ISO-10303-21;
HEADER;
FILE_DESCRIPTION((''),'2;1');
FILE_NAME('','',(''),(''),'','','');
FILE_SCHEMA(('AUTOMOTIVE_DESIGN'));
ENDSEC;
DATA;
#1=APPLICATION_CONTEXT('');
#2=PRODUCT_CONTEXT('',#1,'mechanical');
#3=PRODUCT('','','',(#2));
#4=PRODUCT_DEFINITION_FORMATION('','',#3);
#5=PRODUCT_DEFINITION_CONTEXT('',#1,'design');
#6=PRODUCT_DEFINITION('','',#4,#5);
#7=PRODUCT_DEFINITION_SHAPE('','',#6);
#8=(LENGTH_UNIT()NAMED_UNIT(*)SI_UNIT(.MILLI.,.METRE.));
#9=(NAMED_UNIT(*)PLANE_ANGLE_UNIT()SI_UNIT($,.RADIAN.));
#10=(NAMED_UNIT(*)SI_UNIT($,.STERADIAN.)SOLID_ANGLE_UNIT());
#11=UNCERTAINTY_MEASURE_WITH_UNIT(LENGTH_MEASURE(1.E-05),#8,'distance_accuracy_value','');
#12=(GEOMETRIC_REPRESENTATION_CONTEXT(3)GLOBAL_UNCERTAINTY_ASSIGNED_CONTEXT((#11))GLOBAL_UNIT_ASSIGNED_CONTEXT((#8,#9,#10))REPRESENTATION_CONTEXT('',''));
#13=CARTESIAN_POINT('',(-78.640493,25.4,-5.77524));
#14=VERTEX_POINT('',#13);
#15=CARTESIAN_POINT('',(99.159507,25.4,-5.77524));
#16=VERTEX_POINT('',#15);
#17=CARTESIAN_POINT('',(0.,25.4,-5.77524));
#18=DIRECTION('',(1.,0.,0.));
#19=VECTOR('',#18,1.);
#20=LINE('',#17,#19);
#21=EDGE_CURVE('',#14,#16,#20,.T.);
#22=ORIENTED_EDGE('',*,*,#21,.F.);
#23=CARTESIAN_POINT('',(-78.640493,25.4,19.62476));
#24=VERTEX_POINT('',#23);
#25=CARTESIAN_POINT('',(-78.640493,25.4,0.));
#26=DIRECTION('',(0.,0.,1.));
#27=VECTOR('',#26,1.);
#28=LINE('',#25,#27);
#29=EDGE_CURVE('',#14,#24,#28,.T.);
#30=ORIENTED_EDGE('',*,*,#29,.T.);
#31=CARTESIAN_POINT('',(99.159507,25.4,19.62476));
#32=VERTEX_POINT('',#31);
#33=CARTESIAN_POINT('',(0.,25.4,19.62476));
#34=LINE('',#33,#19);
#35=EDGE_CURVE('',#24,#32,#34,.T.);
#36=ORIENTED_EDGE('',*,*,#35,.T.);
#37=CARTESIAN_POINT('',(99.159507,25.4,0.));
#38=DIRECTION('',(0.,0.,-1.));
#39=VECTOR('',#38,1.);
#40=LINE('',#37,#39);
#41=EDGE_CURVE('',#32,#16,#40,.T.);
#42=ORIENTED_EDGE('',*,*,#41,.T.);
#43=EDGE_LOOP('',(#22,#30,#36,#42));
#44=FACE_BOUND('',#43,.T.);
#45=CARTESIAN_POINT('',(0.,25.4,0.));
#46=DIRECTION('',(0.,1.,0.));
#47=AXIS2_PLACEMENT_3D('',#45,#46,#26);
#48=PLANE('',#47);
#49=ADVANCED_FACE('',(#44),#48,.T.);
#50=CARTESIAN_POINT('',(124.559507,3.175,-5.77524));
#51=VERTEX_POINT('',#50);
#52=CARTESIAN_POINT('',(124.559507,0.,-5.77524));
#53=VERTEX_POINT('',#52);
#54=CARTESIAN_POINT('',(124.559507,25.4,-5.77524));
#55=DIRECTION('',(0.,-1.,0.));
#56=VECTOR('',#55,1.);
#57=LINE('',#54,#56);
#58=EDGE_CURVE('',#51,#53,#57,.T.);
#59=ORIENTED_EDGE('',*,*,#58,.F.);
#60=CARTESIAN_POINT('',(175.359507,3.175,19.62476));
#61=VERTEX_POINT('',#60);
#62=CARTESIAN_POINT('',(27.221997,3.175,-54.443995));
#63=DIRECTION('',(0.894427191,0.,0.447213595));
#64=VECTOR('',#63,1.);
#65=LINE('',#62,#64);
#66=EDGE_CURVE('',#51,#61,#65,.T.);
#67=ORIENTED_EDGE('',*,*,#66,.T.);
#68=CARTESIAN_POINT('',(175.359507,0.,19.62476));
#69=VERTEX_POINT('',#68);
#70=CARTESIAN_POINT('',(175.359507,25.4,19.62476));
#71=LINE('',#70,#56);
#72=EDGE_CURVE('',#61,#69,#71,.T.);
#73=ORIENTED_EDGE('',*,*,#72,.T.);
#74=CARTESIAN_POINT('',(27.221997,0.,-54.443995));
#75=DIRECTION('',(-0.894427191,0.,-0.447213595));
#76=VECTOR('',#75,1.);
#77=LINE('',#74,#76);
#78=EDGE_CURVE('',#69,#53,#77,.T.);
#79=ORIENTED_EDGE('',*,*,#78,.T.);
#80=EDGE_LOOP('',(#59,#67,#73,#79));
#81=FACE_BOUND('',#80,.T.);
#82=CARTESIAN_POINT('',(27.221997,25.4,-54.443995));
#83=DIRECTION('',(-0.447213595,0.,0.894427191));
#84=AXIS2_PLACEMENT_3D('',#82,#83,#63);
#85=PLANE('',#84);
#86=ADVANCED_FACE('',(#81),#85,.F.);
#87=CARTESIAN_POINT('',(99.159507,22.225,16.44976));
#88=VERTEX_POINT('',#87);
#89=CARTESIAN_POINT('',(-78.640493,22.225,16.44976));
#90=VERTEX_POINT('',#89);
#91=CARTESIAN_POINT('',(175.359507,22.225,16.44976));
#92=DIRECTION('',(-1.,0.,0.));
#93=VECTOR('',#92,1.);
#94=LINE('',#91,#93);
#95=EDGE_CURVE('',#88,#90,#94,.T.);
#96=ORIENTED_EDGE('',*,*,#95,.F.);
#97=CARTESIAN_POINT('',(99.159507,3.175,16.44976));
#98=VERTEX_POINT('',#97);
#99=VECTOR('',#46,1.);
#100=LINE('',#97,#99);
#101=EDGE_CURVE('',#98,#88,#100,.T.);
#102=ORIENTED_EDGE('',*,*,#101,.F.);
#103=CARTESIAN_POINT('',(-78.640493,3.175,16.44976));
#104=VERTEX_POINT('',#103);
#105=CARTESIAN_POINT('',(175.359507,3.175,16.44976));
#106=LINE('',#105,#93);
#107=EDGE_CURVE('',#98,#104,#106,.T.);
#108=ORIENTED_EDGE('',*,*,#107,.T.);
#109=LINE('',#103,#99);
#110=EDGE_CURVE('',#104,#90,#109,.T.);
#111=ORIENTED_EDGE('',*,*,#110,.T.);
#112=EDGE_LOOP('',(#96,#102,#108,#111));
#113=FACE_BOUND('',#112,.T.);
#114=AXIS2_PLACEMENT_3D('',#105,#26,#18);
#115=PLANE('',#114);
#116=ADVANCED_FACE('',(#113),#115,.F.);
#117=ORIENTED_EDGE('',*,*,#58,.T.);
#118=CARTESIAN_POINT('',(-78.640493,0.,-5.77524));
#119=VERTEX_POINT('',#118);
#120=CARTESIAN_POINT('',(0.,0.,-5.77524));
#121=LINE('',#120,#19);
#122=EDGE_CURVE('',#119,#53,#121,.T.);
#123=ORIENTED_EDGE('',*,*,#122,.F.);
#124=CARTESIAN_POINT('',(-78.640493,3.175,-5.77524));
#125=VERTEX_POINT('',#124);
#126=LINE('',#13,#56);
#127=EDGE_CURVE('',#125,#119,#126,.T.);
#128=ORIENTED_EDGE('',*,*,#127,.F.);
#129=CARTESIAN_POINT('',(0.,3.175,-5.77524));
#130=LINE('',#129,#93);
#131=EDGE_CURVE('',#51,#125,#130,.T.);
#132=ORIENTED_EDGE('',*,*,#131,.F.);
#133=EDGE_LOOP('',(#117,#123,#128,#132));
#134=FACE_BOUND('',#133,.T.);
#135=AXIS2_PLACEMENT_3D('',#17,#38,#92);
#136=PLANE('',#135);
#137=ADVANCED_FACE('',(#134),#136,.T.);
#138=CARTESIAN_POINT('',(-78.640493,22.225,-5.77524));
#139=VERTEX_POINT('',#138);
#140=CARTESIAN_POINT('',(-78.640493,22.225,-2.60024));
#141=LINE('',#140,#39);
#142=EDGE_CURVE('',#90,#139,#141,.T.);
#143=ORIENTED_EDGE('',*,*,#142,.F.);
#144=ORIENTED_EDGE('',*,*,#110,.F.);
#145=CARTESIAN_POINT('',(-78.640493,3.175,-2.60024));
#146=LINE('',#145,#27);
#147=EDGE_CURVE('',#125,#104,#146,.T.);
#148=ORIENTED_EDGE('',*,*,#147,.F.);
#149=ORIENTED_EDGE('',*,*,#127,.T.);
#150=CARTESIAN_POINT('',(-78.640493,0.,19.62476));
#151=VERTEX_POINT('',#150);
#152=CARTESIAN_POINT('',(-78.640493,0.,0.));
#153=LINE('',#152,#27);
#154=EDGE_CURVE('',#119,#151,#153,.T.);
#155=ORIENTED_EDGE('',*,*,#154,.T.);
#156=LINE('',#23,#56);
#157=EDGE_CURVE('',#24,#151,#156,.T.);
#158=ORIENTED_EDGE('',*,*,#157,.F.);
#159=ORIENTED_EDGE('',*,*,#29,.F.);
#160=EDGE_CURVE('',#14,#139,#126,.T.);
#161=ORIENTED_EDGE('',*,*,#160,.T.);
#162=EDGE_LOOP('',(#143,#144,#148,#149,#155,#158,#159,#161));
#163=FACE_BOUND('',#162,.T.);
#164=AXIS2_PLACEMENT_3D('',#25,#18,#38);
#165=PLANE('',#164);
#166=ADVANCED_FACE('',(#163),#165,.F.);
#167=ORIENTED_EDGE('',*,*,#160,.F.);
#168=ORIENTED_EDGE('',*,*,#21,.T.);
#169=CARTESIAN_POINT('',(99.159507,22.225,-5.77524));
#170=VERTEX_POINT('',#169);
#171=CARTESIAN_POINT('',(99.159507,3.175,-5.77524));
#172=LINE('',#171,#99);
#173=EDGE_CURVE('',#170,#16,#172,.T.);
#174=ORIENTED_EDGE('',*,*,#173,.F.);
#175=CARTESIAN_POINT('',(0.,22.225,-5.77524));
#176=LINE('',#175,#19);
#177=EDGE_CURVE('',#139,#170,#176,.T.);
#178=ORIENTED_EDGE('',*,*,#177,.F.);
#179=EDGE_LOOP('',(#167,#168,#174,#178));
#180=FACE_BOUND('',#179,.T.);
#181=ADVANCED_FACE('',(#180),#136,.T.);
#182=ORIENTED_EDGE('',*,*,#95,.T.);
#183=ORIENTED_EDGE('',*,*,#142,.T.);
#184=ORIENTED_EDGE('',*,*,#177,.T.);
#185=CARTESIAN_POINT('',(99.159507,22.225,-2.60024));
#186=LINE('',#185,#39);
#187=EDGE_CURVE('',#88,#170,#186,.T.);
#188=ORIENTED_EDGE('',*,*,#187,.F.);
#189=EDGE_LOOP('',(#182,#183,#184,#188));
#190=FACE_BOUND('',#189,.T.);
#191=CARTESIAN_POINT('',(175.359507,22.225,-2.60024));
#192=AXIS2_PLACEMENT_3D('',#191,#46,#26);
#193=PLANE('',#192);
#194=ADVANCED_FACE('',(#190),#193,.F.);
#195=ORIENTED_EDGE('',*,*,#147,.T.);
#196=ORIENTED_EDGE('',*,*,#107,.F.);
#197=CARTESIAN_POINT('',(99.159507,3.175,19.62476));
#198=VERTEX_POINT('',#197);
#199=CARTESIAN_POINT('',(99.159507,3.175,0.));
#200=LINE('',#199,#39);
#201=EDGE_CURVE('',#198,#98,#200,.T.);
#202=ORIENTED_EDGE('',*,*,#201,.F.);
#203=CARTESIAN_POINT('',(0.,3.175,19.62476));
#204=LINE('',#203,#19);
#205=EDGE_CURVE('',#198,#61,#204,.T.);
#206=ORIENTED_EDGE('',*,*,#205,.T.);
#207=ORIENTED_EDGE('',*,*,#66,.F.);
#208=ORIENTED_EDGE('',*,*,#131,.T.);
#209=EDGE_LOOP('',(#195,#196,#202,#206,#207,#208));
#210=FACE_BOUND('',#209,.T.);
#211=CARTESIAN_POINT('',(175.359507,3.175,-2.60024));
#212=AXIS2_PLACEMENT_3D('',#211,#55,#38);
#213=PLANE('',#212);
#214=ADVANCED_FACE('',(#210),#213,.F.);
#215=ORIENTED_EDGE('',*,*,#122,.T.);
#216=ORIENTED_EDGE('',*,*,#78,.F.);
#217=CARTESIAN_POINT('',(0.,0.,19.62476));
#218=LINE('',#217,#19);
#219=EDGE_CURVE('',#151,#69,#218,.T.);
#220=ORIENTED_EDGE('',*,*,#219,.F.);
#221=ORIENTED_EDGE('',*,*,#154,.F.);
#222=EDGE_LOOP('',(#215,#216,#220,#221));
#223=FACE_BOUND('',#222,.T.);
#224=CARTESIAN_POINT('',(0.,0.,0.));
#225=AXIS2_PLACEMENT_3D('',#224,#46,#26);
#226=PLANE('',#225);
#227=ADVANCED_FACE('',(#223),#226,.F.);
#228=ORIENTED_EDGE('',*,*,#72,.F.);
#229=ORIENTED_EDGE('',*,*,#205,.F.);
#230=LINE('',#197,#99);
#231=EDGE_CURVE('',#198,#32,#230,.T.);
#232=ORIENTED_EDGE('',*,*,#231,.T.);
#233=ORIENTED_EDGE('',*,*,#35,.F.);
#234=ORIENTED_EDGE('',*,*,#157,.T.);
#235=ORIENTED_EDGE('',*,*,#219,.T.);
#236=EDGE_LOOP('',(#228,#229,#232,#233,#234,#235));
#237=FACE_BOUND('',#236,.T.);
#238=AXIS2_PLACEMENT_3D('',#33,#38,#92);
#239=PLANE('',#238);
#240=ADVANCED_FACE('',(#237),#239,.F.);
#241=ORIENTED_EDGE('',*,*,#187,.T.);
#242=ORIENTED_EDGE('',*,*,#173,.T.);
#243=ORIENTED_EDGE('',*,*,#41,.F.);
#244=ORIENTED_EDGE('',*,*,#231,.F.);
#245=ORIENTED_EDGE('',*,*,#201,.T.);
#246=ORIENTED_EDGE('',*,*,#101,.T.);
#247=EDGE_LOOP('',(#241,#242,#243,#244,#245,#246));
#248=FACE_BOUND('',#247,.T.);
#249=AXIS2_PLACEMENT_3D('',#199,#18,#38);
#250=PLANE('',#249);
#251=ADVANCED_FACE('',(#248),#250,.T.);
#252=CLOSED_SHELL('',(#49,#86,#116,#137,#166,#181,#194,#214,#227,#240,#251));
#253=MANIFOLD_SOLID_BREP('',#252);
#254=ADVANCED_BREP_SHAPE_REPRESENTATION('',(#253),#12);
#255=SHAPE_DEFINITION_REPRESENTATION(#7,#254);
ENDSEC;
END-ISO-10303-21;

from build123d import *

# Parameters (mm, degrees)
BOSS_EXTRUDE1_DEPTH = 25.4
SKETCH2_W           = 19.05
SKETCH2_H           = 19.05
CUT_EXTRUDE1_DEPTH  = 257.020099216
CUT_EXTRUDE2_DEPTH  = 22.225
SKETCH5_W           = 177.8
SKETCH5_H           = 19.05
CUT_EXTRUDE4_DEPTH  = 22.225


with BuildPart() as part:
    # Sketch1 → Boss-Extrude1 (new body)
    with BuildSketch(Plane(origin=(0, 0, 0), x_dir=(1, 0, 0), z_dir=(0, 1, 0))):
        Polygon((-78.640492639, -19.624759931), (175.359507361, -19.624759931), (124.559507361, 5.775240069), (-78.640492639, 5.775240069), align=None)
    extrude(amount=BOSS_EXTRUDE1_DEPTH)

    # Sketch2 → Cut-Extrude1 (cut, through all)
    with BuildSketch(Plane.ZY.offset(78.640492639)):
        with Locations((6.924759931, 12.7)):
            Rectangle(SKETCH2_W, SKETCH2_H)
    extrude(amount=-CUT_EXTRUDE1_DEPTH, mode=Mode.SUBTRACT)

    # Sketch3 → Cut-Extrude2 (cut)
    with BuildSketch(Plane(origin=(0, 25.4, 0), x_dir=(1, 0, 0), z_dir=(0, 1, 0))):
        Polygon((99.159507361, 5.775240069), (99.159507361, -19.624759931), (175.359507361, -19.624759931), (124.559507361, 5.775240069), align=None)
    extrude(amount=-CUT_EXTRUDE2_DEPTH, mode=Mode.SUBTRACT)

    # Sketch5 → Cut-Extrude4 (cut)
    with BuildSketch(Plane(origin=(0, 0, -5.775240069), x_dir=(-1, 0, 0), z_dir=(0, 0, -1))):
        with Locations((-10.259507361, 12.7)):
            Rectangle(SKETCH5_W, SKETCH5_H)
    extrude(amount=-CUT_EXTRUDE4_DEPTH, mode=Mode.SUBTRACT)


solid = part.part
